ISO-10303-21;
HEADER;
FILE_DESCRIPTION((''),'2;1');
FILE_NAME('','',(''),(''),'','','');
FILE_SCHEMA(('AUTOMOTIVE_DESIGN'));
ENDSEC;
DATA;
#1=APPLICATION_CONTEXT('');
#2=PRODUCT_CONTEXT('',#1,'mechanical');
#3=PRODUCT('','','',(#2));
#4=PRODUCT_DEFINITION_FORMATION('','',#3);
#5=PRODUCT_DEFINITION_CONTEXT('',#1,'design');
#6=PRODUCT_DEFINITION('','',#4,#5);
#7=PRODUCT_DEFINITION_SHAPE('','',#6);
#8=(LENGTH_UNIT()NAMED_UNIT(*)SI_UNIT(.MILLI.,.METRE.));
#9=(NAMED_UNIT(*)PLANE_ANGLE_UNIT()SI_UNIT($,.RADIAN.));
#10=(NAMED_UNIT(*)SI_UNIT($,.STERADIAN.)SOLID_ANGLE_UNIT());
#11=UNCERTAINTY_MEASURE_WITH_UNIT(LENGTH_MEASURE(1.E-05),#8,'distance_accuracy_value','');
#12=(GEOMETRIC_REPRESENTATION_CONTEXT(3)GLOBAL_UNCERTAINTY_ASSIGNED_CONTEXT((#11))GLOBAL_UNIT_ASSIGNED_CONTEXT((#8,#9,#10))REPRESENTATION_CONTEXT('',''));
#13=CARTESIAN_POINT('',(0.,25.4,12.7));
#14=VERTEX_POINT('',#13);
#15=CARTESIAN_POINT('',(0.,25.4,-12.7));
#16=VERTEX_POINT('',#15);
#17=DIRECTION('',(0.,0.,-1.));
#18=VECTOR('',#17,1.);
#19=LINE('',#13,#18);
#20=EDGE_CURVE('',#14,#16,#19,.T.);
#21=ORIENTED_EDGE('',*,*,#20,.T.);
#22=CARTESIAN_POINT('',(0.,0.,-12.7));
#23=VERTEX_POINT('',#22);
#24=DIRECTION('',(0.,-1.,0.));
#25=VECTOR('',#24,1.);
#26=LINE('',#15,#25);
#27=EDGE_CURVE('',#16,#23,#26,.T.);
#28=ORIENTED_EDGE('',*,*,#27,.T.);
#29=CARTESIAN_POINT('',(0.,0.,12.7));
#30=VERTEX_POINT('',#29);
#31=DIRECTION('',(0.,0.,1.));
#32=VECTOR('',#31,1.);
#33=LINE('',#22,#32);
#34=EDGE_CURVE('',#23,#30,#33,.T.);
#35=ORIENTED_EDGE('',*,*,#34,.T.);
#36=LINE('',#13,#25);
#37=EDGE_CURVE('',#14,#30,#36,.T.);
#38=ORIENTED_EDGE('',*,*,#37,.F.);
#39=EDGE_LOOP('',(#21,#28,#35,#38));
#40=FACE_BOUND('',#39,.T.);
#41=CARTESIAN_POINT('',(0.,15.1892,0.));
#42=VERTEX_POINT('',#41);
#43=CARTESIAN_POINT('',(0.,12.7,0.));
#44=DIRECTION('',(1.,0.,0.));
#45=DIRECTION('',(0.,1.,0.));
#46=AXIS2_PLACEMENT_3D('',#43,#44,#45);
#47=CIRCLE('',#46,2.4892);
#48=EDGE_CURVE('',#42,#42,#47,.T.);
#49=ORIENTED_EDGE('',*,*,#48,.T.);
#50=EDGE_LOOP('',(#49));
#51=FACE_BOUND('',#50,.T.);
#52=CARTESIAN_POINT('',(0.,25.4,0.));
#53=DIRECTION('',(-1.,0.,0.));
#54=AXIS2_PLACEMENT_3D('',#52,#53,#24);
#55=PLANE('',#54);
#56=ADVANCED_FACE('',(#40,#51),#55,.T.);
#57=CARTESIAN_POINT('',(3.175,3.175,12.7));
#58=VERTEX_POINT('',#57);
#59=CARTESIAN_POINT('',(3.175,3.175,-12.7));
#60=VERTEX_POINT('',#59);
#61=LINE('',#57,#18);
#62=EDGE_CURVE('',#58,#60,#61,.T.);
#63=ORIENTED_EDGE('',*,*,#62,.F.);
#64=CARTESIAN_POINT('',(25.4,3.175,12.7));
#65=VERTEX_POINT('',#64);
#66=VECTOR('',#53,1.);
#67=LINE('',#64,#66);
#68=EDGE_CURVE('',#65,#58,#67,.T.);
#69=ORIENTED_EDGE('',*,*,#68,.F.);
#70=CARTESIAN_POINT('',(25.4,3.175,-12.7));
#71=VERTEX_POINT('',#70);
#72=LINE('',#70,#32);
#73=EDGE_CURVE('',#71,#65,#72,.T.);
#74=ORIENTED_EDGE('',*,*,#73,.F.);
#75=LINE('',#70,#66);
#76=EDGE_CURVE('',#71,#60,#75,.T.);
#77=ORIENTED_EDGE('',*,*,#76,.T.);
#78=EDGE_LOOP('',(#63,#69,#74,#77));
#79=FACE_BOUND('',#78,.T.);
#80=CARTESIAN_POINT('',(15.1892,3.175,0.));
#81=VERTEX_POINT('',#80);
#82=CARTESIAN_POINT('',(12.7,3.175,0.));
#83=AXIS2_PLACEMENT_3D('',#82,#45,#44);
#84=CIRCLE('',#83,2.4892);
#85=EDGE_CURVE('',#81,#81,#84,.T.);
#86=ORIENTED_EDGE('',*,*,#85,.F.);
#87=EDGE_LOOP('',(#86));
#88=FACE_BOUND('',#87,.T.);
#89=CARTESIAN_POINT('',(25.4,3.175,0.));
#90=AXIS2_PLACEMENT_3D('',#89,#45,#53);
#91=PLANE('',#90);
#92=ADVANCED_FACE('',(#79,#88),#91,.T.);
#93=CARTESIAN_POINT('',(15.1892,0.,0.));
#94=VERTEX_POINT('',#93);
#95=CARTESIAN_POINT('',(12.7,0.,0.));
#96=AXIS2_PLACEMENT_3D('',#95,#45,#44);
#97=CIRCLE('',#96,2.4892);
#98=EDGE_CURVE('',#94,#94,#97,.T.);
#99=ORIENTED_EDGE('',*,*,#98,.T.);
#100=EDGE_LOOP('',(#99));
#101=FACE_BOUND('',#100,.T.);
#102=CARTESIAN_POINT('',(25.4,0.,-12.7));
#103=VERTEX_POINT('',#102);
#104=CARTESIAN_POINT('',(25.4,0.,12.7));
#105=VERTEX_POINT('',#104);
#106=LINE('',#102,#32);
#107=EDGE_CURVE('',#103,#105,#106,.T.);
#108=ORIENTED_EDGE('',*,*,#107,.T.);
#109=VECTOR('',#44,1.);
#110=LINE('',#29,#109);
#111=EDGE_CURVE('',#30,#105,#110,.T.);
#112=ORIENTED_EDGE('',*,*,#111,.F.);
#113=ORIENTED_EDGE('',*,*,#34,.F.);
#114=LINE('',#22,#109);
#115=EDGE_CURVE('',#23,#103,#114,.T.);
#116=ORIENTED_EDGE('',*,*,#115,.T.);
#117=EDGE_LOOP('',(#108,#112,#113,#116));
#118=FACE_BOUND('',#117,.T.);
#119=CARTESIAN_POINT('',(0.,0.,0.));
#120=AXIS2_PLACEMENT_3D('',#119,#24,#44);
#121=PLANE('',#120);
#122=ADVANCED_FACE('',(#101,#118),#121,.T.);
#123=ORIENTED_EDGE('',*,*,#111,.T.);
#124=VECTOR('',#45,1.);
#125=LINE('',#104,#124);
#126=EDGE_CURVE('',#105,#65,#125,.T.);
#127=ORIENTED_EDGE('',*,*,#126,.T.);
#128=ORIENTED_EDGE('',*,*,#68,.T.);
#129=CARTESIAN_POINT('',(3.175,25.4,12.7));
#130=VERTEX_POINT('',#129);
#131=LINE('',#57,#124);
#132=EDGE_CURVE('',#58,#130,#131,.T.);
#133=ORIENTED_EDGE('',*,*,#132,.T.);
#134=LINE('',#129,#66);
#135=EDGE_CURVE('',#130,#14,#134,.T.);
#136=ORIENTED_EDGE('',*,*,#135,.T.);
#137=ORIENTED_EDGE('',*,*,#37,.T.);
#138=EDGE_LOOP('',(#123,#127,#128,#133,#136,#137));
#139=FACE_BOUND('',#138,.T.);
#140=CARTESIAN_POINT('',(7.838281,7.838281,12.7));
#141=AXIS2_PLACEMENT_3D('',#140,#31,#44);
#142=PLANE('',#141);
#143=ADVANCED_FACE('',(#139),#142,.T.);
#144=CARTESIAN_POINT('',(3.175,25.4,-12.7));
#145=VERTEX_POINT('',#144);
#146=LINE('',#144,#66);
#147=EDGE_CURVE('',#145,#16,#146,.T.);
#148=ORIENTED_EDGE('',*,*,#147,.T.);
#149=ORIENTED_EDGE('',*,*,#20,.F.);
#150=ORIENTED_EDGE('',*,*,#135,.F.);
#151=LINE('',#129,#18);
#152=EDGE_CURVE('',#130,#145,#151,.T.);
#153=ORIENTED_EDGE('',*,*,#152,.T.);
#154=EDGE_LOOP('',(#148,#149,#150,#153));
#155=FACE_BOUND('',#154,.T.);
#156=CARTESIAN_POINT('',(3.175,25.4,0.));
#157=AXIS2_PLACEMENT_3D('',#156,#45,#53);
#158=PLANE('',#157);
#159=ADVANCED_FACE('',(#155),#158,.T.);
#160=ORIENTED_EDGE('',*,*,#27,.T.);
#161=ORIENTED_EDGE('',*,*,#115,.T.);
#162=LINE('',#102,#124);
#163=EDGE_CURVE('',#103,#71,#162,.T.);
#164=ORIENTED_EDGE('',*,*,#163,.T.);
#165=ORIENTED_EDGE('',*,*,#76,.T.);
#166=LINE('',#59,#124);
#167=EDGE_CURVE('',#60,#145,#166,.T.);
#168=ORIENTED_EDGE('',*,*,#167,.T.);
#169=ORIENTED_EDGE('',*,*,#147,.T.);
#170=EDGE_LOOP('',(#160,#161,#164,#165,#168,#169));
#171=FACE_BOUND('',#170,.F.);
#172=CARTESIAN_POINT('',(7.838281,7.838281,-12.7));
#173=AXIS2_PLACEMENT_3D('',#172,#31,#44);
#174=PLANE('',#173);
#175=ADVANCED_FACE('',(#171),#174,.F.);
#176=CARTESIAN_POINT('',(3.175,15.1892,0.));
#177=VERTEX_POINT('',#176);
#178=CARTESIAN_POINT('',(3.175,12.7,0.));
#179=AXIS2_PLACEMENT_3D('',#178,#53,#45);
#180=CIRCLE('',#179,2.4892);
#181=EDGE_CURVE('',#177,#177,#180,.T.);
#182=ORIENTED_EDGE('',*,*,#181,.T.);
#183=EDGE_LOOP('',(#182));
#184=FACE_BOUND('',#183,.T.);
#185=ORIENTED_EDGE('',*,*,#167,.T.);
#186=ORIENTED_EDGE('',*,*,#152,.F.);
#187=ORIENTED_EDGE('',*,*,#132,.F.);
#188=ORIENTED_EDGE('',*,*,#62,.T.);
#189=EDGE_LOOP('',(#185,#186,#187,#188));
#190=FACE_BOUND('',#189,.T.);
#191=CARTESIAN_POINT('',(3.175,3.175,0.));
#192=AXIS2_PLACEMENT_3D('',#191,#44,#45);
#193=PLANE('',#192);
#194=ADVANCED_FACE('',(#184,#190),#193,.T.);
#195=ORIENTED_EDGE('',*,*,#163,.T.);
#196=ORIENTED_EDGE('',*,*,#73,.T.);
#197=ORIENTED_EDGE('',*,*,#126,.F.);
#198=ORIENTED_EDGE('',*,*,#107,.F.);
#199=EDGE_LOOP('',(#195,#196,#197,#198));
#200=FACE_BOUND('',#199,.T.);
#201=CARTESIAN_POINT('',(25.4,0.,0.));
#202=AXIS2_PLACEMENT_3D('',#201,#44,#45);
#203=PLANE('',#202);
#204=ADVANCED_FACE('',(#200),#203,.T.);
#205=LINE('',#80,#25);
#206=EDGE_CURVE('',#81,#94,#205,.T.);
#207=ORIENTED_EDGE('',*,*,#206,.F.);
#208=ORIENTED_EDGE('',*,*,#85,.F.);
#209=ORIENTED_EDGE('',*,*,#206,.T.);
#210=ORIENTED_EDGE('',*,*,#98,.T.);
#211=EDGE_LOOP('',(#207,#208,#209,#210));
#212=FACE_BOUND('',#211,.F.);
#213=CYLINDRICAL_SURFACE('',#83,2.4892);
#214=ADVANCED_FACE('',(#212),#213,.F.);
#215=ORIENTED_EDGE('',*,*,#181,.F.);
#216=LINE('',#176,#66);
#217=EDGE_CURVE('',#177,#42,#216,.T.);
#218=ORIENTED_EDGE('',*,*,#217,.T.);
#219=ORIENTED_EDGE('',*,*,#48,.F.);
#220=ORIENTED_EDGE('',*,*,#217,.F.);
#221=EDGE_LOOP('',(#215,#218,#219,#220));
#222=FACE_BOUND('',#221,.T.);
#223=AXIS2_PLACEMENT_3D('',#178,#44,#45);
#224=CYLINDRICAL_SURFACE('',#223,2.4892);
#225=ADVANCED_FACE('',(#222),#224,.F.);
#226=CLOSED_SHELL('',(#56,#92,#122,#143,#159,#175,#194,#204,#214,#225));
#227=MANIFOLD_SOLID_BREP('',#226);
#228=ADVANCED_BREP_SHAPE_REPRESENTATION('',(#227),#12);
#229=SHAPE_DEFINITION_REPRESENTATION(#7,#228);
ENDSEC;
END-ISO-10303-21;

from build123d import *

# Parameters (mm, degrees)
EXTRUDE_THIN1_DEPTH = 12.7
SKETCH2_R           = 2.4892
CUT_EXTRUDE1_DEPTH  = 4.175


with BuildPart() as part:
    # Sketch1 → Extrude-Thin1 (new body, symmetric)
    with BuildSketch(Plane.XY):
        Polygon((0, 25.4), (0, 0), (25.4, 0), (25.4, 3.175), (3.175, 3.175), (3.175, 25.4), align=None)
    extrude(amount=EXTRUDE_THIN1_DEPTH, both=True)

    # Sketch2 → Cut-Extrude1 (cut, through all)
    with BuildSketch(Plane(origin=(0, 3.175, 0), x_dir=(1, 0, 0), z_dir=(0, 1, 0))):
        with Locations((12.7, 0)):
            Circle(SKETCH2_R)
    cut_extrude1 = extrude(amount=-CUT_EXTRUDE1_DEPTH, mode=Mode.SUBTRACT)

    # Mirror1: Cut-Extrude1 across plane
    add(cut_extrude1.mirror(Plane(origin=(0, 0, 0), x_dir=(0, 0, 1), z_dir=(0.707106781, -0.707106781, 0))), mode=Mode.SUBTRACT)


solid = part.part
